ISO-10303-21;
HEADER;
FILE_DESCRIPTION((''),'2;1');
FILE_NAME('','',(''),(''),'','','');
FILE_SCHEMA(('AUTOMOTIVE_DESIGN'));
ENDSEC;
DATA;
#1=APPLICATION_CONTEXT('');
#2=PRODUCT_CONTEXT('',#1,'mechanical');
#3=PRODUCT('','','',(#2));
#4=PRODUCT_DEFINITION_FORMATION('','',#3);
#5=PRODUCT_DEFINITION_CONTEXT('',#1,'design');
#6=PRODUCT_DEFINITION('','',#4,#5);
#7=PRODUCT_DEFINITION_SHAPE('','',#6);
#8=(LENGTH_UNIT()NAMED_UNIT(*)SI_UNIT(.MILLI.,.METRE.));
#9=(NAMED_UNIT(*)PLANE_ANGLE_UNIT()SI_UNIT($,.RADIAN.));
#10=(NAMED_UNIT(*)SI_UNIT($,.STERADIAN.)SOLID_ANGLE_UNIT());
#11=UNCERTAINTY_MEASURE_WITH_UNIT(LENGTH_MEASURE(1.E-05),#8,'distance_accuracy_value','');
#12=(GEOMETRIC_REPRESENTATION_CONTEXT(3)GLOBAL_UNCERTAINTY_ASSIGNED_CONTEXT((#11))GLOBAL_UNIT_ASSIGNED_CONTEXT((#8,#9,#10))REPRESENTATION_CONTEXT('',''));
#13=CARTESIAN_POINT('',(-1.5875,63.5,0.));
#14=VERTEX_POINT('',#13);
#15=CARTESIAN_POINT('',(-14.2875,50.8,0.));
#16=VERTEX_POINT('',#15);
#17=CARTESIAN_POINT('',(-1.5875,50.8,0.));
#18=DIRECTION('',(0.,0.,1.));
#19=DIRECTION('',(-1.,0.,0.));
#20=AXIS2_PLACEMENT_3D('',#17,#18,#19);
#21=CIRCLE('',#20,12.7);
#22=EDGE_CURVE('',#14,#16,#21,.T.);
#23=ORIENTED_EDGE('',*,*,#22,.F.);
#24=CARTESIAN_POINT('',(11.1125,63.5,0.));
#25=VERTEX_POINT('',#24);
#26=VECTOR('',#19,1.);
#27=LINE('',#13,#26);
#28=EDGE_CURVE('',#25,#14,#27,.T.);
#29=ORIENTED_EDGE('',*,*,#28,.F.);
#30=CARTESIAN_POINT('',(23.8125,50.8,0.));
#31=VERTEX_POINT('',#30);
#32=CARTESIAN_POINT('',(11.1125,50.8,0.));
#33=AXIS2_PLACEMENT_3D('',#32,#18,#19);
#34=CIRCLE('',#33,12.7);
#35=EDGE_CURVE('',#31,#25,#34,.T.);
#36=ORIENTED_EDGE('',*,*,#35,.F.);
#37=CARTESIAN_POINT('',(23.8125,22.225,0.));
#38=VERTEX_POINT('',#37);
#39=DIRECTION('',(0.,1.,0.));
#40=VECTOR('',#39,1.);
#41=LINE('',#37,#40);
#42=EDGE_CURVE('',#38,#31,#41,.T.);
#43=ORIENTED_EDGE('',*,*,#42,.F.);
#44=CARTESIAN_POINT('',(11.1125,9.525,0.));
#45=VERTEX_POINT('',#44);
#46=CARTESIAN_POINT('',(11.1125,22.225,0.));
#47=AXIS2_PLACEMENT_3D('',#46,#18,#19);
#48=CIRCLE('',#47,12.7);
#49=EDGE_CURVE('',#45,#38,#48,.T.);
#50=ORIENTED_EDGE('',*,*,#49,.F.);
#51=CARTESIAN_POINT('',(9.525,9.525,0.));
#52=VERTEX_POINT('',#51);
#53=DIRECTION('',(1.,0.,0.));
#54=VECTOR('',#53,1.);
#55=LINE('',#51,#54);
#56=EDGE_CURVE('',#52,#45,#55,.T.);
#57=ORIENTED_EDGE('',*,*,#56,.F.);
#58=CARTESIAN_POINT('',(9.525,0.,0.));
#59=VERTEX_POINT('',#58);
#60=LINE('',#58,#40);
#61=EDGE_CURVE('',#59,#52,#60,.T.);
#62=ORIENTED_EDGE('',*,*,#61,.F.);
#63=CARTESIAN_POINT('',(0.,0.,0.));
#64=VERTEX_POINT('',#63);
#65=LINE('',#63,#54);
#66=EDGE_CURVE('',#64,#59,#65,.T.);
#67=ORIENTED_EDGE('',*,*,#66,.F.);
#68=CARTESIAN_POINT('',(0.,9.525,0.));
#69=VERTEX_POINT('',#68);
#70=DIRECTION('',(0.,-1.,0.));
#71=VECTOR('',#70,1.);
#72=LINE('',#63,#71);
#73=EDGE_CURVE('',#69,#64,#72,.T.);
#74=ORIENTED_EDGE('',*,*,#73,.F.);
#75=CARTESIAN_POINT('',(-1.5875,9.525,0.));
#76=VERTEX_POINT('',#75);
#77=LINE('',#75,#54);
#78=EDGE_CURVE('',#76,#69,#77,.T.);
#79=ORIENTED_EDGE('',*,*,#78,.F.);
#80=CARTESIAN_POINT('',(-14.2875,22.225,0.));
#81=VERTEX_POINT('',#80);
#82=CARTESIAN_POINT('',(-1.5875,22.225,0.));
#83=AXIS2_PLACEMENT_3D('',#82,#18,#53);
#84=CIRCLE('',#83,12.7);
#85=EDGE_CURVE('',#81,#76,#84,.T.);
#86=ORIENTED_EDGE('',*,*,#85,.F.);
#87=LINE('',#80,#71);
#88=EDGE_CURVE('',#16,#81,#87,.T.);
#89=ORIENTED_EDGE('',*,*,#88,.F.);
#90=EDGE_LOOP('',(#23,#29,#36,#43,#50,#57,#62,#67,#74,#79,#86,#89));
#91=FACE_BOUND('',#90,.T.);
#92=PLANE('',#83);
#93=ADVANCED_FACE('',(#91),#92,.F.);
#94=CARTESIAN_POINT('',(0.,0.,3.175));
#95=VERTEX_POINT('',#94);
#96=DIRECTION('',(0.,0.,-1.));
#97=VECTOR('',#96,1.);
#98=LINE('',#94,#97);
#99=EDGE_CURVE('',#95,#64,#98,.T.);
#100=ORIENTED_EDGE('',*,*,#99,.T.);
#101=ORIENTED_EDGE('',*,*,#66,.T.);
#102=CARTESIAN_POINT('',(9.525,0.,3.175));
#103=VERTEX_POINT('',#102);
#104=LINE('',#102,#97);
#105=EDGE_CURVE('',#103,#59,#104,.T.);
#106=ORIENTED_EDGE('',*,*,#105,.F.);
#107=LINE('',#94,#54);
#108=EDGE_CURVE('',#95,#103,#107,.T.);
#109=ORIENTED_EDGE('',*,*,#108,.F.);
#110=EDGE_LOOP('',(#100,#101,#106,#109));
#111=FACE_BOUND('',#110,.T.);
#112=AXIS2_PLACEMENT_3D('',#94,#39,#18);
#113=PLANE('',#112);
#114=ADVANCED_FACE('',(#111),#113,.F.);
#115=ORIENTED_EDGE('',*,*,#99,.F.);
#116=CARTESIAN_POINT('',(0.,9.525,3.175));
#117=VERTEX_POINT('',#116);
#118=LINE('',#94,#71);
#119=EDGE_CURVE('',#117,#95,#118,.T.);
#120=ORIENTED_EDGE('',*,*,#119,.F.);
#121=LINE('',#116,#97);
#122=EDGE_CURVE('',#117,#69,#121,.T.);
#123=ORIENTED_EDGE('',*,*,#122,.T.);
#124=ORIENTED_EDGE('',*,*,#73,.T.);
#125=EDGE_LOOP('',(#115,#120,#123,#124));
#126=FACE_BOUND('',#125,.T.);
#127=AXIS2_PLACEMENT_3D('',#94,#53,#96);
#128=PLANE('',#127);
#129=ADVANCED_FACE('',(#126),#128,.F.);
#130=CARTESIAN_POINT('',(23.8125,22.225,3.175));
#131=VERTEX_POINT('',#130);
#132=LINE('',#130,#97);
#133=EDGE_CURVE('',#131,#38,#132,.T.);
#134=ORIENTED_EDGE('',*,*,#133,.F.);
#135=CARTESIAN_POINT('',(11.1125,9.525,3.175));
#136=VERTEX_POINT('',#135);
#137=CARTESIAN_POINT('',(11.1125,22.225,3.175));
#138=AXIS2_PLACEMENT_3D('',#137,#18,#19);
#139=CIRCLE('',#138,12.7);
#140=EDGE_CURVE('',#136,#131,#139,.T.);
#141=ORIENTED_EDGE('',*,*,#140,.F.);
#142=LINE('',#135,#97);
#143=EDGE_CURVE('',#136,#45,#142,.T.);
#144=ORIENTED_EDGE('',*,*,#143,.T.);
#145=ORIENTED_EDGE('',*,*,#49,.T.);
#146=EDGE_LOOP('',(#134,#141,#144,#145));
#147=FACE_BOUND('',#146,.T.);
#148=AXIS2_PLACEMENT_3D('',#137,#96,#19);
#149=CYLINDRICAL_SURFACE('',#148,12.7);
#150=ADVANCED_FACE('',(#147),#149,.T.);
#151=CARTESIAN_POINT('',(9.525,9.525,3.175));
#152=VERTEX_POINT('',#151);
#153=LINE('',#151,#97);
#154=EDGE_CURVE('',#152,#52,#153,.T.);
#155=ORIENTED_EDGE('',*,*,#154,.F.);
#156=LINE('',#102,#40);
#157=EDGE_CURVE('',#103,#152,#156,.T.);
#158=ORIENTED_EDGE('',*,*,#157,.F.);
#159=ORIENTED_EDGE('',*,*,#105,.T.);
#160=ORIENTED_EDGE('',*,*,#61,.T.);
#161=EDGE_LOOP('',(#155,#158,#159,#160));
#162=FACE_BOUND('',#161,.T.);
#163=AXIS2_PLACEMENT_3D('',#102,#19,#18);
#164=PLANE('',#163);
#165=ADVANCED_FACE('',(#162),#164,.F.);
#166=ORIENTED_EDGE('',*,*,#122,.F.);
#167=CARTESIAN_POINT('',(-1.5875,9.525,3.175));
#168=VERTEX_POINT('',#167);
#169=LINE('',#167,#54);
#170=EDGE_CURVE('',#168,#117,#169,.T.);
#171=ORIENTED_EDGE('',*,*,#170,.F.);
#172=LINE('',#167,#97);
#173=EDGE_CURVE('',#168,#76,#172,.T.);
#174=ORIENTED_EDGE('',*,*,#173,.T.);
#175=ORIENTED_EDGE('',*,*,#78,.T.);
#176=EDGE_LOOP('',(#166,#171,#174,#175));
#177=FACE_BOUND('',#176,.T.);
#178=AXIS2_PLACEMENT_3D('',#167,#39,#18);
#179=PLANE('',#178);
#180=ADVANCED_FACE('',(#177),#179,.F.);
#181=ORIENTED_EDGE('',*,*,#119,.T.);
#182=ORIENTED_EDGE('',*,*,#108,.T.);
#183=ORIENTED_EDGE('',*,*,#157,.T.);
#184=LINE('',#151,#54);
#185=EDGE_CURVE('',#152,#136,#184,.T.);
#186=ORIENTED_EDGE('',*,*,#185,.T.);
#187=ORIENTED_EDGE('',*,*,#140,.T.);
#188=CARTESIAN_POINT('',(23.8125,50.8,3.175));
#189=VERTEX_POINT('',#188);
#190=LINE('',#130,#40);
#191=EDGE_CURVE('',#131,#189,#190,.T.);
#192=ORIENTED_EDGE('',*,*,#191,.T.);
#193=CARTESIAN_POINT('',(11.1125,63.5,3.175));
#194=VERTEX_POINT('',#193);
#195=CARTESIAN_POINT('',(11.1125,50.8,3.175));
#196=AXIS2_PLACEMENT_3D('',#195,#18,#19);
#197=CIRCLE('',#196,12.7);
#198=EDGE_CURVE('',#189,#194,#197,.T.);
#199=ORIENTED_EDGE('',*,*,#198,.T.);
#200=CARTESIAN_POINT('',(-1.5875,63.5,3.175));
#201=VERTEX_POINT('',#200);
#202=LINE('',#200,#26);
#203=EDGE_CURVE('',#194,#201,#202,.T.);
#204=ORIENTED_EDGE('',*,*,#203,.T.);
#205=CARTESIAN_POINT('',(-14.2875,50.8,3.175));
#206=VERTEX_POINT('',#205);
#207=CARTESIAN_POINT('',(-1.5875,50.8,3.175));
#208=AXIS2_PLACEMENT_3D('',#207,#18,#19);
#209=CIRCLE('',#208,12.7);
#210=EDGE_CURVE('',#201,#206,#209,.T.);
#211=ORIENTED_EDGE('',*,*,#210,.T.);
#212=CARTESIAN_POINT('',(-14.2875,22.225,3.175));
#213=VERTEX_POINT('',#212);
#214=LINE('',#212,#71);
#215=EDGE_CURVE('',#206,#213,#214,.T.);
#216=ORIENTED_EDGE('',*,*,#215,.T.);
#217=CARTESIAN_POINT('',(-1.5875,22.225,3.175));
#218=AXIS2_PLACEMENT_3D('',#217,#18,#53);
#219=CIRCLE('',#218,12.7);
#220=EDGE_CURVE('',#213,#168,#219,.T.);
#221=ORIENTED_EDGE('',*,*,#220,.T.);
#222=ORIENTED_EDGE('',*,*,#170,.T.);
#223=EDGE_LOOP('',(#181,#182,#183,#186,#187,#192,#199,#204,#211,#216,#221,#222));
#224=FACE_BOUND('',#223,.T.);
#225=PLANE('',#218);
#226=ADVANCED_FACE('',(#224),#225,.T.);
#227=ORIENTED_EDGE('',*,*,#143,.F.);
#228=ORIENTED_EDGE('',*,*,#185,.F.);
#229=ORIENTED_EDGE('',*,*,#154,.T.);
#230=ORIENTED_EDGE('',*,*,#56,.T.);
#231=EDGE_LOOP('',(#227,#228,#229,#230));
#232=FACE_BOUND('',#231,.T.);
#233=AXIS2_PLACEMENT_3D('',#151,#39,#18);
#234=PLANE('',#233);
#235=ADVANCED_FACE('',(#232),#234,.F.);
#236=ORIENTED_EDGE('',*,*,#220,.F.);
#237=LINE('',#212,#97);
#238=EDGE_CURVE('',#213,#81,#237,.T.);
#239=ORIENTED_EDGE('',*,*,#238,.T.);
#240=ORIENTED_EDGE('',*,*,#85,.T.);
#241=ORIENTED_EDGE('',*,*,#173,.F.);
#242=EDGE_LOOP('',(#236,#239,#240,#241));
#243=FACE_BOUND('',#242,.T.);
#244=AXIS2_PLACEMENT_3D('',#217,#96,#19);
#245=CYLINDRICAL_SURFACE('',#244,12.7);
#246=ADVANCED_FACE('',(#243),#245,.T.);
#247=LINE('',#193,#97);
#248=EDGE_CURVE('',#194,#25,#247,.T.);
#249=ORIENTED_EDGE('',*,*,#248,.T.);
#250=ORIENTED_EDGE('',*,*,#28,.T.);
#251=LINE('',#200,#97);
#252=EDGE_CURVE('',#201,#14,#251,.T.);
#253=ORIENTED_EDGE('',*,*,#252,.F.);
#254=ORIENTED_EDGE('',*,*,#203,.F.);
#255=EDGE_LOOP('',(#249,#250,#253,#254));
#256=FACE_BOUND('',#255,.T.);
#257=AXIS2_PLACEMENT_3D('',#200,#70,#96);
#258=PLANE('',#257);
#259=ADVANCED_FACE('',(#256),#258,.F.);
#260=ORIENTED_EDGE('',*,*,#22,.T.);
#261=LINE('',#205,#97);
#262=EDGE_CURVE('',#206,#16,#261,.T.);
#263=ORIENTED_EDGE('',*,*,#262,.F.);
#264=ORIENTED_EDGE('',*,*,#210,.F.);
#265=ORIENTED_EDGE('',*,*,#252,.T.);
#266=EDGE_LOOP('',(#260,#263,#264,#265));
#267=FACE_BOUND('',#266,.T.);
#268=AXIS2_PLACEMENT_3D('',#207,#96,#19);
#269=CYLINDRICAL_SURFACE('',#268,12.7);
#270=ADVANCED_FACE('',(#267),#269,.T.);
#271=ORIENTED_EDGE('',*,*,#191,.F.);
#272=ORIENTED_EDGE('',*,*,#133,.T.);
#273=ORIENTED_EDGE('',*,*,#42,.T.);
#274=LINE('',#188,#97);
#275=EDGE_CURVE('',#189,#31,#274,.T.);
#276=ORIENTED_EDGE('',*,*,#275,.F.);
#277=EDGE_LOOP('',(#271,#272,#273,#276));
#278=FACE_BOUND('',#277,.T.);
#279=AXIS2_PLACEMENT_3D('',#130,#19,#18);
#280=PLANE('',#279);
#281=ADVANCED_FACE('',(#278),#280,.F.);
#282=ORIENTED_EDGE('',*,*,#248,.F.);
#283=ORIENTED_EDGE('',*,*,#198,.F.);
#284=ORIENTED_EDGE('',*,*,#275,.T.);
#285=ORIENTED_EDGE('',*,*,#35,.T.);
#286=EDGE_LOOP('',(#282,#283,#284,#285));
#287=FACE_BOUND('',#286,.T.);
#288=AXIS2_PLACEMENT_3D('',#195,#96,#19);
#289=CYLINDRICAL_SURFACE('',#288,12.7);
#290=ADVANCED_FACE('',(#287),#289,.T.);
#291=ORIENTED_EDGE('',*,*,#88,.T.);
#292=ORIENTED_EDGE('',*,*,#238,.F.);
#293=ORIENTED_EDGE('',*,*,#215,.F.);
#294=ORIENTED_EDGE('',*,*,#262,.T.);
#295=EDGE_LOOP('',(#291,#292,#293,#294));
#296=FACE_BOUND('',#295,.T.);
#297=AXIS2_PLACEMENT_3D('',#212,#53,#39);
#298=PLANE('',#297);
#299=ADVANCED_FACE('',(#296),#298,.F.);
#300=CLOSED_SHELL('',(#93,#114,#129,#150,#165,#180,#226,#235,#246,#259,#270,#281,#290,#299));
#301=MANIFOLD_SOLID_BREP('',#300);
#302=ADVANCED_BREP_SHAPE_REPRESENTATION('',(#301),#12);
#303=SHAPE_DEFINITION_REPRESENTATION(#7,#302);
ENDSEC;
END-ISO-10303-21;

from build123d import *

# Parameters (mm, degrees)
BOSS_EXTRUDE1_DEPTH = 3.175


with BuildPart() as part:
    # Sketch1 → Boss-Extrude1 (new body)
    with BuildSketch(Plane.XY):
        with BuildLine():
            Line((9.525, 9.525), (11.1125, 9.525))
            ThreePointArc((11.1125, 9.525), (20.092756121, 13.244743879), (23.8125, 22.225))
            Line((23.8125, 22.225), (23.8125, 50.8))
            ThreePointArc((23.8125, 50.8), (20.092756121, 59.780256121), (11.1125, 63.5))
            Line((11.1125, 63.5), (-1.5875, 63.5))
            ThreePointArc((-1.5875, 63.5), (-10.567756121, 59.780256121), (-14.2875, 50.8))
            Line((-14.2875, 50.8), (-14.2875, 22.225))
            ThreePointArc((-14.2875, 22.225), (-10.567756121, 13.244743879), (-1.5875, 9.525))
            Line((-1.5875, 9.525), (0, 9.525))
            Line((0, 9.525), (0, 0))
            Line((0, 0), (9.525, 0))
            Line((9.525, 0), (9.525, 9.525))
        make_face()
    extrude(amount=BOSS_EXTRUDE1_DEPTH)


solid = part.part
